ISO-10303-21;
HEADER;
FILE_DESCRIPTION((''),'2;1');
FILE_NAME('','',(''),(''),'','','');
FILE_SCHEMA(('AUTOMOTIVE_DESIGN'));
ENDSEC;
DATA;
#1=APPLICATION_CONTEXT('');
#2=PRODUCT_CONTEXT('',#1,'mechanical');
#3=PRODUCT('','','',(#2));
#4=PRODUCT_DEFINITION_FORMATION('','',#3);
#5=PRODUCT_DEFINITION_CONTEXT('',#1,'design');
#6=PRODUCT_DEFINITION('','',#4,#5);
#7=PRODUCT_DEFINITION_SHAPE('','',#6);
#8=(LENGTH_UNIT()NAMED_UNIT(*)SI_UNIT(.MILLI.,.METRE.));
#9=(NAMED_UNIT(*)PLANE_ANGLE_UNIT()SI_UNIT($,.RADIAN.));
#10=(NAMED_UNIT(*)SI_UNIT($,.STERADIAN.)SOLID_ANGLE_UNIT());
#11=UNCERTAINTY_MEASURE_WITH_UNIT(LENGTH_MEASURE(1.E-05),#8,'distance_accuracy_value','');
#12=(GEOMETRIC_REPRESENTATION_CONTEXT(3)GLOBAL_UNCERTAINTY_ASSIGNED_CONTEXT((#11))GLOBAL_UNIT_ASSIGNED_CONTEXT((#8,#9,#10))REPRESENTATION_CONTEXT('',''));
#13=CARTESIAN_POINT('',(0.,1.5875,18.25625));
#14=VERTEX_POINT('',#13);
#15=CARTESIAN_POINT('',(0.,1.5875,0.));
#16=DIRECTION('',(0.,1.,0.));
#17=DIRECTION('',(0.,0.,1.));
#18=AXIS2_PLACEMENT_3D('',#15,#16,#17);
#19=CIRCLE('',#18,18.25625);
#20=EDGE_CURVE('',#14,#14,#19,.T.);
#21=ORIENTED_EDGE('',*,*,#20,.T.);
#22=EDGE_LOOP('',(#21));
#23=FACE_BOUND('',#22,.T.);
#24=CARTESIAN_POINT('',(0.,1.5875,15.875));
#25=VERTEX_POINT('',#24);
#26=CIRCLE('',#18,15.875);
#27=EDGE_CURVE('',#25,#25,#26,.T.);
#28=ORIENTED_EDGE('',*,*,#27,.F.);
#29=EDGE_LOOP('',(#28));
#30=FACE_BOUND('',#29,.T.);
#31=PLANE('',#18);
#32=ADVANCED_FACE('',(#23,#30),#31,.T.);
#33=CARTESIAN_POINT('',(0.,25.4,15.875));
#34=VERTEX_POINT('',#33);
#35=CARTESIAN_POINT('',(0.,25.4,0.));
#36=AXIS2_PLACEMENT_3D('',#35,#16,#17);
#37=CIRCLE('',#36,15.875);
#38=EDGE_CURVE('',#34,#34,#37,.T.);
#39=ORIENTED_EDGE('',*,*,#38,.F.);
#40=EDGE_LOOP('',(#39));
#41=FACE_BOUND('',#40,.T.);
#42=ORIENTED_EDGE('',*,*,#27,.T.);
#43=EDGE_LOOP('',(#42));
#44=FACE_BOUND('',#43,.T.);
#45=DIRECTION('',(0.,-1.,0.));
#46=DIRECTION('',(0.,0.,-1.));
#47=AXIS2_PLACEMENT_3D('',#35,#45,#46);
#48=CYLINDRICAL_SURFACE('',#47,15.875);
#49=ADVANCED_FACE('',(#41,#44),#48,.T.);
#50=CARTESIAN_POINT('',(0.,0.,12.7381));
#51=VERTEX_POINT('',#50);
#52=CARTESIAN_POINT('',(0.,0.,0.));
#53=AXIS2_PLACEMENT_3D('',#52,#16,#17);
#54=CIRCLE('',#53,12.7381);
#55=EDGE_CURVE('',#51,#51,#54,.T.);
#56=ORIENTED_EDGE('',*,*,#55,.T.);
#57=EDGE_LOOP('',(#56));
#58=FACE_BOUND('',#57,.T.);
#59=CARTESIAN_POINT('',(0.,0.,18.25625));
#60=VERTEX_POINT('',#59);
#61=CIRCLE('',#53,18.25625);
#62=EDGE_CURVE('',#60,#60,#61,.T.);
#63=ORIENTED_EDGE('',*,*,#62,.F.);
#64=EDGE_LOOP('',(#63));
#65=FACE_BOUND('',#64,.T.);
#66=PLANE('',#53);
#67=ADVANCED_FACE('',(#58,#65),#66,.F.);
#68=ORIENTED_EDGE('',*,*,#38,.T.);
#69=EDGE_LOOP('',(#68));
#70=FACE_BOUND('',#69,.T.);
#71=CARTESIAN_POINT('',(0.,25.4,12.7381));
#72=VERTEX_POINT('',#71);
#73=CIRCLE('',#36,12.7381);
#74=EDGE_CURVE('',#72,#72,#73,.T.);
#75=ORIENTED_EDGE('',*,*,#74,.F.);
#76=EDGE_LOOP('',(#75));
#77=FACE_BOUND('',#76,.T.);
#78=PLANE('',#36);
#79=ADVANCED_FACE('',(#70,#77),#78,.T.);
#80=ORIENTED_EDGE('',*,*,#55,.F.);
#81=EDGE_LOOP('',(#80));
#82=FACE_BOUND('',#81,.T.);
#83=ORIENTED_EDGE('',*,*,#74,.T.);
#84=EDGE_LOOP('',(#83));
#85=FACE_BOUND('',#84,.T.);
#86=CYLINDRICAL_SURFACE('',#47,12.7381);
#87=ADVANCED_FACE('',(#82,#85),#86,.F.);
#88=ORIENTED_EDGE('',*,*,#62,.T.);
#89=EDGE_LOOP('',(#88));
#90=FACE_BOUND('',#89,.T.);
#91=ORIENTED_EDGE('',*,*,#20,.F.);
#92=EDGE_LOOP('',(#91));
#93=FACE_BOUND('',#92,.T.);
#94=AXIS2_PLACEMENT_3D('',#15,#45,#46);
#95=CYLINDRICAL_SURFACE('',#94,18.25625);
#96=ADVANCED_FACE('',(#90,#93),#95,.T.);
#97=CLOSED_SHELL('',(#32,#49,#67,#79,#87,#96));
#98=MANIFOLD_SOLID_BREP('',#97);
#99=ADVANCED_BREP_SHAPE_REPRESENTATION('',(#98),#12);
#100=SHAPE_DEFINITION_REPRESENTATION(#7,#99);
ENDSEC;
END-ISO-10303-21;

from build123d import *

# Parameters (mm, degrees)
SKETCH2_R           = 15.875
SKETCH2_R_2         = 12.7381
BOSS_EXTRUDE1_DEPTH = 25.4
SKETCH3_R           = 18.25625
SKETCH3_R_2         = 15.875
BOSS_EXTRUDE2_DEPTH = 1.5875


with BuildPart() as part:
    # Sketch2 → Boss-Extrude1 (new body)
    with BuildSketch(Plane(origin=(0, 0, 0), x_dir=(1, 0, 0), z_dir=(0, 1, 0))):
        Circle(SKETCH2_R)
        Circle(SKETCH2_R_2, mode=Mode.SUBTRACT)
    extrude(amount=BOSS_EXTRUDE1_DEPTH)

    # Sketch3 → Boss-Extrude2 (add)
    with BuildSketch(Plane(origin=(0, 0, 0), x_dir=(1, 0, 0), z_dir=(0, 1, 0))):
        Circle(SKETCH3_R)
        Circle(SKETCH3_R_2, mode=Mode.SUBTRACT)
    extrude(amount=BOSS_EXTRUDE2_DEPTH)


solid = part.part
